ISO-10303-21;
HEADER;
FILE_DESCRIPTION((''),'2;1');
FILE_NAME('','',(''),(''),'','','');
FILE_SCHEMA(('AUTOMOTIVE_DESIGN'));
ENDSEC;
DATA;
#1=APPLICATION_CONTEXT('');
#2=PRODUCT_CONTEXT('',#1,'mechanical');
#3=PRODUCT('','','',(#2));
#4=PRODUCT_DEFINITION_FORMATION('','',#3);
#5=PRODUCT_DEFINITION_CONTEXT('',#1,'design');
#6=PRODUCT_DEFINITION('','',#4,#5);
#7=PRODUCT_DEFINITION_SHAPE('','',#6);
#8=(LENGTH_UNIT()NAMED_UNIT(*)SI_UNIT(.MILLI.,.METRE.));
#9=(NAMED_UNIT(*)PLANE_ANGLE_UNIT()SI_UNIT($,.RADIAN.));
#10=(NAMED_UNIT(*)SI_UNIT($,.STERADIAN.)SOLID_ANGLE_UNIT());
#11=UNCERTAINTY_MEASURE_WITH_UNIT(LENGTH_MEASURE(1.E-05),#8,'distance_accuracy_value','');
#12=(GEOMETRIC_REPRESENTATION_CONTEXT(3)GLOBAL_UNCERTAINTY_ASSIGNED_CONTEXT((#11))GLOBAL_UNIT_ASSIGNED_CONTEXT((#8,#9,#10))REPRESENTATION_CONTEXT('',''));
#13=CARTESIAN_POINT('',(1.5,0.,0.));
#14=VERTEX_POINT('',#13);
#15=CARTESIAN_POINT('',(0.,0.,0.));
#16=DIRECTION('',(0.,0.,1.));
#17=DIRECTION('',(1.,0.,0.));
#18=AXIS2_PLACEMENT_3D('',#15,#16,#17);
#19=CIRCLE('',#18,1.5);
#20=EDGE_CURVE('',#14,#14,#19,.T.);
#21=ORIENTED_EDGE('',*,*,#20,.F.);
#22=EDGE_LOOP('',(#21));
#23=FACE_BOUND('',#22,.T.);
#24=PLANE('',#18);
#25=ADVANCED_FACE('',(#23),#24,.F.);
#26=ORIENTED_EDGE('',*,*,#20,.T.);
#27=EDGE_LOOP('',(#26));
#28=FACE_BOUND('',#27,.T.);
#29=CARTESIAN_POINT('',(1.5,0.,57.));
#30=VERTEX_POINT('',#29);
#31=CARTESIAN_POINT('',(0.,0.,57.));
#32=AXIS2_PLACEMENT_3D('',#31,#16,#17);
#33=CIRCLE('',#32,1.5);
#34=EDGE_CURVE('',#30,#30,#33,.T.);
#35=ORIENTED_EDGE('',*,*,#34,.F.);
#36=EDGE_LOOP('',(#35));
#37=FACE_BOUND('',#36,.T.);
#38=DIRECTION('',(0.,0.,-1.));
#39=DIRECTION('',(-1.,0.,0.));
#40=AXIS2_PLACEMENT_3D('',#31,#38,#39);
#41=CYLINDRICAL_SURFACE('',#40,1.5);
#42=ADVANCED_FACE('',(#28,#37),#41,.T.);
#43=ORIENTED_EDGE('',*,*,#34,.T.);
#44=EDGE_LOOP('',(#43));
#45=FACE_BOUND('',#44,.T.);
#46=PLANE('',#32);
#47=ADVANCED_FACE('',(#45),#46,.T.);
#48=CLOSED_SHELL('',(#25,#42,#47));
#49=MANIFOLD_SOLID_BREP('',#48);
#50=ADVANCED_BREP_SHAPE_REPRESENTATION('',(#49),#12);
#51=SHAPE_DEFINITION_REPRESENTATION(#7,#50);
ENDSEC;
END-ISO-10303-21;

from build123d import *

# Parameters (mm, degrees)
SKETCH1_R           = 1.5
BOSS_EXTRUDE1_DEPTH = 57


with BuildPart() as part:
    # Sketch1 → Boss-Extrude1 (new body)
    with BuildSketch(Plane.XY):
        Circle(SKETCH1_R)
    extrude(amount=BOSS_EXTRUDE1_DEPTH)


solid = part.part
